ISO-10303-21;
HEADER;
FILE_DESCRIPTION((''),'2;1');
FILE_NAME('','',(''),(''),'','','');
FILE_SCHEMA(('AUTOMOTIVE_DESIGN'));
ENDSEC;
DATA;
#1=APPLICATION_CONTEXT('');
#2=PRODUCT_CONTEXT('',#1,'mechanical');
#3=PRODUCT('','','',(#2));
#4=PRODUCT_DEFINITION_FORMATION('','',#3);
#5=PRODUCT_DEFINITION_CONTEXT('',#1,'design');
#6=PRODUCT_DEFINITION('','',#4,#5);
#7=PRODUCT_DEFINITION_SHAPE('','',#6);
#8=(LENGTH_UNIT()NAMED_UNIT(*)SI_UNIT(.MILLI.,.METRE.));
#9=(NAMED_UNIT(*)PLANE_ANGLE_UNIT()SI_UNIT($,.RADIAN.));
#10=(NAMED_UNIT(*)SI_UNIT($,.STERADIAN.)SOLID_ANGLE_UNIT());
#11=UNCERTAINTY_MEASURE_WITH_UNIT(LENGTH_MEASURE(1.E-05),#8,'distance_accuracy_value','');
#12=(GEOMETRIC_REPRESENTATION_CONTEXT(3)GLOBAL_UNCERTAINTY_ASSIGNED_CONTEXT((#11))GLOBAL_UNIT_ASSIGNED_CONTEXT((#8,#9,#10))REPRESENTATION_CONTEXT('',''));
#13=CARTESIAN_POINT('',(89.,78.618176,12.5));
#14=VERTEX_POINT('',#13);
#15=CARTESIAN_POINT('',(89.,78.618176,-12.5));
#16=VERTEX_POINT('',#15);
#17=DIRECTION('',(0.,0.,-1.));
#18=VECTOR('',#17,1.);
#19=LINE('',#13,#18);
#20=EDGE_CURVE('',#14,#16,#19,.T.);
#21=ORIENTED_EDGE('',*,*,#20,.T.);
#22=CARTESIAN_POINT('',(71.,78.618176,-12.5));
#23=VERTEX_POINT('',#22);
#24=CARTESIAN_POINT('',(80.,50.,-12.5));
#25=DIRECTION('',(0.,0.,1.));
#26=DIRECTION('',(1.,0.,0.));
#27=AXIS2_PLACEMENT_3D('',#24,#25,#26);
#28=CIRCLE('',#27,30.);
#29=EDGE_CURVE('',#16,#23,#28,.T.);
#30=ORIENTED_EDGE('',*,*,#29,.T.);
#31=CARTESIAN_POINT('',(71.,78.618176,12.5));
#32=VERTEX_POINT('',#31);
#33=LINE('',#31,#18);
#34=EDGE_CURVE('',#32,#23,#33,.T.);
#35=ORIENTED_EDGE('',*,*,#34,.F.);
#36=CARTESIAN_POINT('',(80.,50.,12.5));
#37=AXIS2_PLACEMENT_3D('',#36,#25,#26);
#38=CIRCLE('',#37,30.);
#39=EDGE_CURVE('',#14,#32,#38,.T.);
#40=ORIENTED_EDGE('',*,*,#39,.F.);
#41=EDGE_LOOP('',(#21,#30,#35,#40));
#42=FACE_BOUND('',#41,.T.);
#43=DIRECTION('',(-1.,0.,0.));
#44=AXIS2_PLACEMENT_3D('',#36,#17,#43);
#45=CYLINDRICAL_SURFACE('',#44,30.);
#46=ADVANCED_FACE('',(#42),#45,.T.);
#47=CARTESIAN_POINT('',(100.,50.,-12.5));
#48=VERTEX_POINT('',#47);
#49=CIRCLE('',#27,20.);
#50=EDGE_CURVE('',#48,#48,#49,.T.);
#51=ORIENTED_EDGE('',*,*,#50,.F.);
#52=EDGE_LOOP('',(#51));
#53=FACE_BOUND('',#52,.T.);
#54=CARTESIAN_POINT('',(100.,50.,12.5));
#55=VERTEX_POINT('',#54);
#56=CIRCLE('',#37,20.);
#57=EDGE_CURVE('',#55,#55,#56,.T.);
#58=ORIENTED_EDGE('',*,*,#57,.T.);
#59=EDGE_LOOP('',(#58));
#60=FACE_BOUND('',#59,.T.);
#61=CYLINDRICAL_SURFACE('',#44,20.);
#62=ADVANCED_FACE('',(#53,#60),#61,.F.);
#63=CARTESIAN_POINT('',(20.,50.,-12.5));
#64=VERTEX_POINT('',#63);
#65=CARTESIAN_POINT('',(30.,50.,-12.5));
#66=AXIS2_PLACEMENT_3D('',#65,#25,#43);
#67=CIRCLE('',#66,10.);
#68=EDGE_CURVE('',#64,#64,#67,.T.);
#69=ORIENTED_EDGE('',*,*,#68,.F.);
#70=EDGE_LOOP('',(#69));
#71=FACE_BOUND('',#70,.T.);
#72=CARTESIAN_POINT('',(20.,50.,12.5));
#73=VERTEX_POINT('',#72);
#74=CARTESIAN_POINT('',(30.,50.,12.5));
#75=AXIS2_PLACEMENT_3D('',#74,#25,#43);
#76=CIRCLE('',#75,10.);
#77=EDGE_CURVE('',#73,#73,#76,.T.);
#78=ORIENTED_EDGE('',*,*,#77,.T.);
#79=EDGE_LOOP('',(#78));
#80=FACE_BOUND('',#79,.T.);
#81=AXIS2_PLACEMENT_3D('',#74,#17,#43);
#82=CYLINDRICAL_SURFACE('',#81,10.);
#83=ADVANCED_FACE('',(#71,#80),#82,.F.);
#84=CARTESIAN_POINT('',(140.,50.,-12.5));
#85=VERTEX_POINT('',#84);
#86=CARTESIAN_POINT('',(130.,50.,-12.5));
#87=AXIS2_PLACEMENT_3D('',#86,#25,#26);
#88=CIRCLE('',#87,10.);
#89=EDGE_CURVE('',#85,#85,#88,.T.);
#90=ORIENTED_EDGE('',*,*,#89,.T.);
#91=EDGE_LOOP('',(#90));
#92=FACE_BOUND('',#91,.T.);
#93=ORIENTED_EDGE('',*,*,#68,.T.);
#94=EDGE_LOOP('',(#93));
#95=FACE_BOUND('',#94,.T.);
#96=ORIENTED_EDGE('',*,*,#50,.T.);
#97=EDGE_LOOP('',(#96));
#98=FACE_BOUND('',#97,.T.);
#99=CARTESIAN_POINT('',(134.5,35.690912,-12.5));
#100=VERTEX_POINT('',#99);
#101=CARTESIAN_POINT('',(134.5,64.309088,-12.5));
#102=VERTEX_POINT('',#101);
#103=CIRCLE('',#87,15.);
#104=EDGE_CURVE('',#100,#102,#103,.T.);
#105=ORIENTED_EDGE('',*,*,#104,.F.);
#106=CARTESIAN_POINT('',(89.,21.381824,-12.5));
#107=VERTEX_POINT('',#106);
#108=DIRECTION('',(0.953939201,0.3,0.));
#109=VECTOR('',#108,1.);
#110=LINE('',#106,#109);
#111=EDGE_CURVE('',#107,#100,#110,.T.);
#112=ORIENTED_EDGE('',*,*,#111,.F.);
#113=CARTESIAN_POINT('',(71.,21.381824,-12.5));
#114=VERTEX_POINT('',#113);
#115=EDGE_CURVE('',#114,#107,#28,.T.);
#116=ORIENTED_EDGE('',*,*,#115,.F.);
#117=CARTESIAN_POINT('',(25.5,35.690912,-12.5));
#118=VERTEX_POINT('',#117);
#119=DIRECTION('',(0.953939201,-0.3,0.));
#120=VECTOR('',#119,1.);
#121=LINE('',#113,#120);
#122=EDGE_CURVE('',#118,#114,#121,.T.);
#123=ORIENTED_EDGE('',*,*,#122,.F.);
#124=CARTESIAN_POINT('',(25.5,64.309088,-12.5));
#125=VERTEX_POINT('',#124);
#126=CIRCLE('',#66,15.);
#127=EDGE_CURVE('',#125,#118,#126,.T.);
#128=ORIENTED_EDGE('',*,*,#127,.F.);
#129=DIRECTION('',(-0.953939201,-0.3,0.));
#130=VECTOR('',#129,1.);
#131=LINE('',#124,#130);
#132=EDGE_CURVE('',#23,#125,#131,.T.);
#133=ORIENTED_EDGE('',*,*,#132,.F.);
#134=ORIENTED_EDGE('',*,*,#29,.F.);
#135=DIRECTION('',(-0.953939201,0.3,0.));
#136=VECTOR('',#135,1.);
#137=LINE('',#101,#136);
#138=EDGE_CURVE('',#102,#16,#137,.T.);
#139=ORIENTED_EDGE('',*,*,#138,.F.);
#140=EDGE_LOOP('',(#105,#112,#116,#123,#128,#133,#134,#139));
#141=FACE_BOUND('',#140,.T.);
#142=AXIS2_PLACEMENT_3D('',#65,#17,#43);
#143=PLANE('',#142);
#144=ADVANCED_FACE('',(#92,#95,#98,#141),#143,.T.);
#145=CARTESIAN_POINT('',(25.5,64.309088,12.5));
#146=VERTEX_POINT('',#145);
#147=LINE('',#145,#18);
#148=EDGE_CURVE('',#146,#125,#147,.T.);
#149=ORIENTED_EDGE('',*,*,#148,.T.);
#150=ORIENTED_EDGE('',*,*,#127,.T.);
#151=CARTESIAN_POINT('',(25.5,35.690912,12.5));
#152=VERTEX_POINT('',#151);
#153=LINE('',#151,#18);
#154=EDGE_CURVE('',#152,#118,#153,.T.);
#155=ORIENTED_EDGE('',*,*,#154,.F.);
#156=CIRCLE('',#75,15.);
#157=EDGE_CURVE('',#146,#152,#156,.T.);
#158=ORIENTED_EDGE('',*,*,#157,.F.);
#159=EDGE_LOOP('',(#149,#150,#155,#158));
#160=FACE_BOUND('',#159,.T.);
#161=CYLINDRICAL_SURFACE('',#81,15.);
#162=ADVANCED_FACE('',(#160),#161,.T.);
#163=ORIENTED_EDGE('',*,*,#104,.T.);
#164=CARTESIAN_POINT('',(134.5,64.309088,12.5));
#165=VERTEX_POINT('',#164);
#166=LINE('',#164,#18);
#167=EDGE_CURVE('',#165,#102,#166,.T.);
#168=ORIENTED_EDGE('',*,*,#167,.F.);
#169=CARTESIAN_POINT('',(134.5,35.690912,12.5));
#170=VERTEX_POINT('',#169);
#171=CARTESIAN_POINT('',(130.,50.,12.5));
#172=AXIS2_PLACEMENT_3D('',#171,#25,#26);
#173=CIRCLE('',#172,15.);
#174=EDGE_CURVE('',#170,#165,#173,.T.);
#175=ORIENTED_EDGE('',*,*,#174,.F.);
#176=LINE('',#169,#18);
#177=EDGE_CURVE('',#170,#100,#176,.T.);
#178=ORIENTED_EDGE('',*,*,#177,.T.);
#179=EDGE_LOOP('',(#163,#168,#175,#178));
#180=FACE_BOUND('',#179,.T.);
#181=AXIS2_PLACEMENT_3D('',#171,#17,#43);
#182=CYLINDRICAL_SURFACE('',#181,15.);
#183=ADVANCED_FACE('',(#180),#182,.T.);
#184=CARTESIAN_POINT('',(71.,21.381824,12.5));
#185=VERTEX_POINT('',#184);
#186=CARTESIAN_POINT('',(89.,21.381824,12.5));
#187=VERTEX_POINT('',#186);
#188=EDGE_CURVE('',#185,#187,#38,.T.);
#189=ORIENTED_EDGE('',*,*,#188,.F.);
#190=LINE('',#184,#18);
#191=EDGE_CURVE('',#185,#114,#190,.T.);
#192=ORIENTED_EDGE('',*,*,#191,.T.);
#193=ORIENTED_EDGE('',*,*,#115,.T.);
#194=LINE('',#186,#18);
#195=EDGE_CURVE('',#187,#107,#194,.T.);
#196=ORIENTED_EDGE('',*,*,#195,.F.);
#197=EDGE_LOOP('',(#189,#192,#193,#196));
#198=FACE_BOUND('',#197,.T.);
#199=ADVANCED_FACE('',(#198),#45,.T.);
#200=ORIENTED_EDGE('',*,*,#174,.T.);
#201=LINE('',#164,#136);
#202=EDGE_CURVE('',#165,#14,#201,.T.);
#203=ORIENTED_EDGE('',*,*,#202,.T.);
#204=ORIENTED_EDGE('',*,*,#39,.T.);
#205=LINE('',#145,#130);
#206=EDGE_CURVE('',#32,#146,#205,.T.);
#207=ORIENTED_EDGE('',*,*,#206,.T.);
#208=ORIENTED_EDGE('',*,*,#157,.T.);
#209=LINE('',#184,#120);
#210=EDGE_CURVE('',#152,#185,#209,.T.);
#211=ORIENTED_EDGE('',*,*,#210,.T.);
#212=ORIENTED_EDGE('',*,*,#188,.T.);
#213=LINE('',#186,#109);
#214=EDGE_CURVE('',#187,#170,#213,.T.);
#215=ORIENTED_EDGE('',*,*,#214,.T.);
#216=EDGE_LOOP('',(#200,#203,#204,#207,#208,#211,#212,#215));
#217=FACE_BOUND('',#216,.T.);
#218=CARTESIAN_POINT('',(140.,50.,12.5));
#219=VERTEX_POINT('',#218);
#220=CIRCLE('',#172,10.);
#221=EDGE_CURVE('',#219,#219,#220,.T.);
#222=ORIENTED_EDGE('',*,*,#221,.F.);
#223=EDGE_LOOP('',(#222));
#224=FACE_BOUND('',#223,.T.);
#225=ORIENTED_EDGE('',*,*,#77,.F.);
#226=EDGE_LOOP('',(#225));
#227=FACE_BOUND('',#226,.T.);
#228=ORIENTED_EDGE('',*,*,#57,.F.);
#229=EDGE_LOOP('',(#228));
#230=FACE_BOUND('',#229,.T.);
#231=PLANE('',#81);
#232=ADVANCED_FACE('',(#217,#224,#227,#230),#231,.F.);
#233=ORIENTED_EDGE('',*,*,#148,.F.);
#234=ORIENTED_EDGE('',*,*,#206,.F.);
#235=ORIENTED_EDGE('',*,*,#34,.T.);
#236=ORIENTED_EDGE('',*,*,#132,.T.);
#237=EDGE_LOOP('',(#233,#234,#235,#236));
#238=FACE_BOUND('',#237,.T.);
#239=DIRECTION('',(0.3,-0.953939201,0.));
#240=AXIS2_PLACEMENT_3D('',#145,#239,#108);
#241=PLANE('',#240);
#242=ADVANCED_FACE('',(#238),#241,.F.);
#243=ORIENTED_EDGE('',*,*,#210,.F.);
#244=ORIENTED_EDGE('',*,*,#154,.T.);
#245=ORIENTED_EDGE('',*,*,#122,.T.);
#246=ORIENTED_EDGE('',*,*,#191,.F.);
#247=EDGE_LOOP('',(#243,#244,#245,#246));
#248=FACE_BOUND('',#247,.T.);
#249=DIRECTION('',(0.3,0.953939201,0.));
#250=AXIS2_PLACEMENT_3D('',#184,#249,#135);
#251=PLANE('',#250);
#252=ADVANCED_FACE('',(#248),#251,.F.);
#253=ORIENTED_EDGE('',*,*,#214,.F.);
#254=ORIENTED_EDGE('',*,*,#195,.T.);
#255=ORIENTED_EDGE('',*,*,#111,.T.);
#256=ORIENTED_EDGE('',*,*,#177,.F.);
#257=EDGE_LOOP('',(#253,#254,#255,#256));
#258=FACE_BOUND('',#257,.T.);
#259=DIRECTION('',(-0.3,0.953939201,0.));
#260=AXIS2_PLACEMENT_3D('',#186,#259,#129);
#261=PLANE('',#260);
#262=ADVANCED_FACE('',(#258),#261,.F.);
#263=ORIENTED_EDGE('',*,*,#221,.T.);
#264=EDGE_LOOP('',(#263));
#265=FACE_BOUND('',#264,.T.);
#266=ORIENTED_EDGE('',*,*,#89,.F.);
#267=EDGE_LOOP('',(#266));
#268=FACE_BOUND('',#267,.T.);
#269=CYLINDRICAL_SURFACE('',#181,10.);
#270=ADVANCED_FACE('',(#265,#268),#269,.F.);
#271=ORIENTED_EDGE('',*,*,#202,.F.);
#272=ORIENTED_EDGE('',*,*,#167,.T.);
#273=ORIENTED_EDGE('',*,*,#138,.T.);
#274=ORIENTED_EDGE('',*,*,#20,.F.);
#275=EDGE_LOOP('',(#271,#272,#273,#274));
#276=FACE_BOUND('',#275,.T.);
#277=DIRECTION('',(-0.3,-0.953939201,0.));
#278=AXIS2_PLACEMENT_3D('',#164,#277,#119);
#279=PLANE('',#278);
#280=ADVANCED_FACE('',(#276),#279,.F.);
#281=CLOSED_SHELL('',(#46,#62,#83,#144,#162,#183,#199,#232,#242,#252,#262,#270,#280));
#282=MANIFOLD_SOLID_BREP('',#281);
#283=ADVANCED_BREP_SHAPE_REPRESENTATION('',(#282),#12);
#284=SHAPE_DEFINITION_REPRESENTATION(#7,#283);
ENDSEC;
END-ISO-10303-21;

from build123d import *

# Parameters (mm, degrees)
SKETCH1_R           = 20
SKETCH1_R_2         = 10
BOSS_EXTRUDE1_DEPTH = 12.5


with BuildPart() as part:
    # Sketch1 → Boss-Extrude1 (new, symmetric)
    with BuildSketch(Plane.XY):
        with BuildLine():
            Line((134.5, 64.309088021), (89, 78.618176043))
            ThreePointArc((89, 78.618176043), (80, 80), (71, 78.618176043))
            Line((71, 78.618176043), (25.5, 64.309088021))
            ThreePointArc((25.5, 64.309088021), (15, 50), (25.5, 35.690911979))
            Line((25.5, 35.690911979), (71, 21.381823957))
            ThreePointArc((71, 21.381823957), (80, 20), (89, 21.381823957))
            Line((89, 21.381823957), (134.5, 35.690911979))
            ThreePointArc((134.5, 35.690911979), (145, 50), (134.5, 64.309088021))
        make_face()
        with Locations((80, 50)):
            Circle(SKETCH1_R, mode=Mode.SUBTRACT)
        with Locations((130, 50)):
            Circle(SKETCH1_R_2, mode=Mode.SUBTRACT)
        with Locations(Location((30, 50, 0), (0, 0, 180))):
            Circle(SKETCH1_R_2, mode=Mode.SUBTRACT)
    extrude(amount=BOSS_EXTRUDE1_DEPTH, both=True)


solid = part.part
